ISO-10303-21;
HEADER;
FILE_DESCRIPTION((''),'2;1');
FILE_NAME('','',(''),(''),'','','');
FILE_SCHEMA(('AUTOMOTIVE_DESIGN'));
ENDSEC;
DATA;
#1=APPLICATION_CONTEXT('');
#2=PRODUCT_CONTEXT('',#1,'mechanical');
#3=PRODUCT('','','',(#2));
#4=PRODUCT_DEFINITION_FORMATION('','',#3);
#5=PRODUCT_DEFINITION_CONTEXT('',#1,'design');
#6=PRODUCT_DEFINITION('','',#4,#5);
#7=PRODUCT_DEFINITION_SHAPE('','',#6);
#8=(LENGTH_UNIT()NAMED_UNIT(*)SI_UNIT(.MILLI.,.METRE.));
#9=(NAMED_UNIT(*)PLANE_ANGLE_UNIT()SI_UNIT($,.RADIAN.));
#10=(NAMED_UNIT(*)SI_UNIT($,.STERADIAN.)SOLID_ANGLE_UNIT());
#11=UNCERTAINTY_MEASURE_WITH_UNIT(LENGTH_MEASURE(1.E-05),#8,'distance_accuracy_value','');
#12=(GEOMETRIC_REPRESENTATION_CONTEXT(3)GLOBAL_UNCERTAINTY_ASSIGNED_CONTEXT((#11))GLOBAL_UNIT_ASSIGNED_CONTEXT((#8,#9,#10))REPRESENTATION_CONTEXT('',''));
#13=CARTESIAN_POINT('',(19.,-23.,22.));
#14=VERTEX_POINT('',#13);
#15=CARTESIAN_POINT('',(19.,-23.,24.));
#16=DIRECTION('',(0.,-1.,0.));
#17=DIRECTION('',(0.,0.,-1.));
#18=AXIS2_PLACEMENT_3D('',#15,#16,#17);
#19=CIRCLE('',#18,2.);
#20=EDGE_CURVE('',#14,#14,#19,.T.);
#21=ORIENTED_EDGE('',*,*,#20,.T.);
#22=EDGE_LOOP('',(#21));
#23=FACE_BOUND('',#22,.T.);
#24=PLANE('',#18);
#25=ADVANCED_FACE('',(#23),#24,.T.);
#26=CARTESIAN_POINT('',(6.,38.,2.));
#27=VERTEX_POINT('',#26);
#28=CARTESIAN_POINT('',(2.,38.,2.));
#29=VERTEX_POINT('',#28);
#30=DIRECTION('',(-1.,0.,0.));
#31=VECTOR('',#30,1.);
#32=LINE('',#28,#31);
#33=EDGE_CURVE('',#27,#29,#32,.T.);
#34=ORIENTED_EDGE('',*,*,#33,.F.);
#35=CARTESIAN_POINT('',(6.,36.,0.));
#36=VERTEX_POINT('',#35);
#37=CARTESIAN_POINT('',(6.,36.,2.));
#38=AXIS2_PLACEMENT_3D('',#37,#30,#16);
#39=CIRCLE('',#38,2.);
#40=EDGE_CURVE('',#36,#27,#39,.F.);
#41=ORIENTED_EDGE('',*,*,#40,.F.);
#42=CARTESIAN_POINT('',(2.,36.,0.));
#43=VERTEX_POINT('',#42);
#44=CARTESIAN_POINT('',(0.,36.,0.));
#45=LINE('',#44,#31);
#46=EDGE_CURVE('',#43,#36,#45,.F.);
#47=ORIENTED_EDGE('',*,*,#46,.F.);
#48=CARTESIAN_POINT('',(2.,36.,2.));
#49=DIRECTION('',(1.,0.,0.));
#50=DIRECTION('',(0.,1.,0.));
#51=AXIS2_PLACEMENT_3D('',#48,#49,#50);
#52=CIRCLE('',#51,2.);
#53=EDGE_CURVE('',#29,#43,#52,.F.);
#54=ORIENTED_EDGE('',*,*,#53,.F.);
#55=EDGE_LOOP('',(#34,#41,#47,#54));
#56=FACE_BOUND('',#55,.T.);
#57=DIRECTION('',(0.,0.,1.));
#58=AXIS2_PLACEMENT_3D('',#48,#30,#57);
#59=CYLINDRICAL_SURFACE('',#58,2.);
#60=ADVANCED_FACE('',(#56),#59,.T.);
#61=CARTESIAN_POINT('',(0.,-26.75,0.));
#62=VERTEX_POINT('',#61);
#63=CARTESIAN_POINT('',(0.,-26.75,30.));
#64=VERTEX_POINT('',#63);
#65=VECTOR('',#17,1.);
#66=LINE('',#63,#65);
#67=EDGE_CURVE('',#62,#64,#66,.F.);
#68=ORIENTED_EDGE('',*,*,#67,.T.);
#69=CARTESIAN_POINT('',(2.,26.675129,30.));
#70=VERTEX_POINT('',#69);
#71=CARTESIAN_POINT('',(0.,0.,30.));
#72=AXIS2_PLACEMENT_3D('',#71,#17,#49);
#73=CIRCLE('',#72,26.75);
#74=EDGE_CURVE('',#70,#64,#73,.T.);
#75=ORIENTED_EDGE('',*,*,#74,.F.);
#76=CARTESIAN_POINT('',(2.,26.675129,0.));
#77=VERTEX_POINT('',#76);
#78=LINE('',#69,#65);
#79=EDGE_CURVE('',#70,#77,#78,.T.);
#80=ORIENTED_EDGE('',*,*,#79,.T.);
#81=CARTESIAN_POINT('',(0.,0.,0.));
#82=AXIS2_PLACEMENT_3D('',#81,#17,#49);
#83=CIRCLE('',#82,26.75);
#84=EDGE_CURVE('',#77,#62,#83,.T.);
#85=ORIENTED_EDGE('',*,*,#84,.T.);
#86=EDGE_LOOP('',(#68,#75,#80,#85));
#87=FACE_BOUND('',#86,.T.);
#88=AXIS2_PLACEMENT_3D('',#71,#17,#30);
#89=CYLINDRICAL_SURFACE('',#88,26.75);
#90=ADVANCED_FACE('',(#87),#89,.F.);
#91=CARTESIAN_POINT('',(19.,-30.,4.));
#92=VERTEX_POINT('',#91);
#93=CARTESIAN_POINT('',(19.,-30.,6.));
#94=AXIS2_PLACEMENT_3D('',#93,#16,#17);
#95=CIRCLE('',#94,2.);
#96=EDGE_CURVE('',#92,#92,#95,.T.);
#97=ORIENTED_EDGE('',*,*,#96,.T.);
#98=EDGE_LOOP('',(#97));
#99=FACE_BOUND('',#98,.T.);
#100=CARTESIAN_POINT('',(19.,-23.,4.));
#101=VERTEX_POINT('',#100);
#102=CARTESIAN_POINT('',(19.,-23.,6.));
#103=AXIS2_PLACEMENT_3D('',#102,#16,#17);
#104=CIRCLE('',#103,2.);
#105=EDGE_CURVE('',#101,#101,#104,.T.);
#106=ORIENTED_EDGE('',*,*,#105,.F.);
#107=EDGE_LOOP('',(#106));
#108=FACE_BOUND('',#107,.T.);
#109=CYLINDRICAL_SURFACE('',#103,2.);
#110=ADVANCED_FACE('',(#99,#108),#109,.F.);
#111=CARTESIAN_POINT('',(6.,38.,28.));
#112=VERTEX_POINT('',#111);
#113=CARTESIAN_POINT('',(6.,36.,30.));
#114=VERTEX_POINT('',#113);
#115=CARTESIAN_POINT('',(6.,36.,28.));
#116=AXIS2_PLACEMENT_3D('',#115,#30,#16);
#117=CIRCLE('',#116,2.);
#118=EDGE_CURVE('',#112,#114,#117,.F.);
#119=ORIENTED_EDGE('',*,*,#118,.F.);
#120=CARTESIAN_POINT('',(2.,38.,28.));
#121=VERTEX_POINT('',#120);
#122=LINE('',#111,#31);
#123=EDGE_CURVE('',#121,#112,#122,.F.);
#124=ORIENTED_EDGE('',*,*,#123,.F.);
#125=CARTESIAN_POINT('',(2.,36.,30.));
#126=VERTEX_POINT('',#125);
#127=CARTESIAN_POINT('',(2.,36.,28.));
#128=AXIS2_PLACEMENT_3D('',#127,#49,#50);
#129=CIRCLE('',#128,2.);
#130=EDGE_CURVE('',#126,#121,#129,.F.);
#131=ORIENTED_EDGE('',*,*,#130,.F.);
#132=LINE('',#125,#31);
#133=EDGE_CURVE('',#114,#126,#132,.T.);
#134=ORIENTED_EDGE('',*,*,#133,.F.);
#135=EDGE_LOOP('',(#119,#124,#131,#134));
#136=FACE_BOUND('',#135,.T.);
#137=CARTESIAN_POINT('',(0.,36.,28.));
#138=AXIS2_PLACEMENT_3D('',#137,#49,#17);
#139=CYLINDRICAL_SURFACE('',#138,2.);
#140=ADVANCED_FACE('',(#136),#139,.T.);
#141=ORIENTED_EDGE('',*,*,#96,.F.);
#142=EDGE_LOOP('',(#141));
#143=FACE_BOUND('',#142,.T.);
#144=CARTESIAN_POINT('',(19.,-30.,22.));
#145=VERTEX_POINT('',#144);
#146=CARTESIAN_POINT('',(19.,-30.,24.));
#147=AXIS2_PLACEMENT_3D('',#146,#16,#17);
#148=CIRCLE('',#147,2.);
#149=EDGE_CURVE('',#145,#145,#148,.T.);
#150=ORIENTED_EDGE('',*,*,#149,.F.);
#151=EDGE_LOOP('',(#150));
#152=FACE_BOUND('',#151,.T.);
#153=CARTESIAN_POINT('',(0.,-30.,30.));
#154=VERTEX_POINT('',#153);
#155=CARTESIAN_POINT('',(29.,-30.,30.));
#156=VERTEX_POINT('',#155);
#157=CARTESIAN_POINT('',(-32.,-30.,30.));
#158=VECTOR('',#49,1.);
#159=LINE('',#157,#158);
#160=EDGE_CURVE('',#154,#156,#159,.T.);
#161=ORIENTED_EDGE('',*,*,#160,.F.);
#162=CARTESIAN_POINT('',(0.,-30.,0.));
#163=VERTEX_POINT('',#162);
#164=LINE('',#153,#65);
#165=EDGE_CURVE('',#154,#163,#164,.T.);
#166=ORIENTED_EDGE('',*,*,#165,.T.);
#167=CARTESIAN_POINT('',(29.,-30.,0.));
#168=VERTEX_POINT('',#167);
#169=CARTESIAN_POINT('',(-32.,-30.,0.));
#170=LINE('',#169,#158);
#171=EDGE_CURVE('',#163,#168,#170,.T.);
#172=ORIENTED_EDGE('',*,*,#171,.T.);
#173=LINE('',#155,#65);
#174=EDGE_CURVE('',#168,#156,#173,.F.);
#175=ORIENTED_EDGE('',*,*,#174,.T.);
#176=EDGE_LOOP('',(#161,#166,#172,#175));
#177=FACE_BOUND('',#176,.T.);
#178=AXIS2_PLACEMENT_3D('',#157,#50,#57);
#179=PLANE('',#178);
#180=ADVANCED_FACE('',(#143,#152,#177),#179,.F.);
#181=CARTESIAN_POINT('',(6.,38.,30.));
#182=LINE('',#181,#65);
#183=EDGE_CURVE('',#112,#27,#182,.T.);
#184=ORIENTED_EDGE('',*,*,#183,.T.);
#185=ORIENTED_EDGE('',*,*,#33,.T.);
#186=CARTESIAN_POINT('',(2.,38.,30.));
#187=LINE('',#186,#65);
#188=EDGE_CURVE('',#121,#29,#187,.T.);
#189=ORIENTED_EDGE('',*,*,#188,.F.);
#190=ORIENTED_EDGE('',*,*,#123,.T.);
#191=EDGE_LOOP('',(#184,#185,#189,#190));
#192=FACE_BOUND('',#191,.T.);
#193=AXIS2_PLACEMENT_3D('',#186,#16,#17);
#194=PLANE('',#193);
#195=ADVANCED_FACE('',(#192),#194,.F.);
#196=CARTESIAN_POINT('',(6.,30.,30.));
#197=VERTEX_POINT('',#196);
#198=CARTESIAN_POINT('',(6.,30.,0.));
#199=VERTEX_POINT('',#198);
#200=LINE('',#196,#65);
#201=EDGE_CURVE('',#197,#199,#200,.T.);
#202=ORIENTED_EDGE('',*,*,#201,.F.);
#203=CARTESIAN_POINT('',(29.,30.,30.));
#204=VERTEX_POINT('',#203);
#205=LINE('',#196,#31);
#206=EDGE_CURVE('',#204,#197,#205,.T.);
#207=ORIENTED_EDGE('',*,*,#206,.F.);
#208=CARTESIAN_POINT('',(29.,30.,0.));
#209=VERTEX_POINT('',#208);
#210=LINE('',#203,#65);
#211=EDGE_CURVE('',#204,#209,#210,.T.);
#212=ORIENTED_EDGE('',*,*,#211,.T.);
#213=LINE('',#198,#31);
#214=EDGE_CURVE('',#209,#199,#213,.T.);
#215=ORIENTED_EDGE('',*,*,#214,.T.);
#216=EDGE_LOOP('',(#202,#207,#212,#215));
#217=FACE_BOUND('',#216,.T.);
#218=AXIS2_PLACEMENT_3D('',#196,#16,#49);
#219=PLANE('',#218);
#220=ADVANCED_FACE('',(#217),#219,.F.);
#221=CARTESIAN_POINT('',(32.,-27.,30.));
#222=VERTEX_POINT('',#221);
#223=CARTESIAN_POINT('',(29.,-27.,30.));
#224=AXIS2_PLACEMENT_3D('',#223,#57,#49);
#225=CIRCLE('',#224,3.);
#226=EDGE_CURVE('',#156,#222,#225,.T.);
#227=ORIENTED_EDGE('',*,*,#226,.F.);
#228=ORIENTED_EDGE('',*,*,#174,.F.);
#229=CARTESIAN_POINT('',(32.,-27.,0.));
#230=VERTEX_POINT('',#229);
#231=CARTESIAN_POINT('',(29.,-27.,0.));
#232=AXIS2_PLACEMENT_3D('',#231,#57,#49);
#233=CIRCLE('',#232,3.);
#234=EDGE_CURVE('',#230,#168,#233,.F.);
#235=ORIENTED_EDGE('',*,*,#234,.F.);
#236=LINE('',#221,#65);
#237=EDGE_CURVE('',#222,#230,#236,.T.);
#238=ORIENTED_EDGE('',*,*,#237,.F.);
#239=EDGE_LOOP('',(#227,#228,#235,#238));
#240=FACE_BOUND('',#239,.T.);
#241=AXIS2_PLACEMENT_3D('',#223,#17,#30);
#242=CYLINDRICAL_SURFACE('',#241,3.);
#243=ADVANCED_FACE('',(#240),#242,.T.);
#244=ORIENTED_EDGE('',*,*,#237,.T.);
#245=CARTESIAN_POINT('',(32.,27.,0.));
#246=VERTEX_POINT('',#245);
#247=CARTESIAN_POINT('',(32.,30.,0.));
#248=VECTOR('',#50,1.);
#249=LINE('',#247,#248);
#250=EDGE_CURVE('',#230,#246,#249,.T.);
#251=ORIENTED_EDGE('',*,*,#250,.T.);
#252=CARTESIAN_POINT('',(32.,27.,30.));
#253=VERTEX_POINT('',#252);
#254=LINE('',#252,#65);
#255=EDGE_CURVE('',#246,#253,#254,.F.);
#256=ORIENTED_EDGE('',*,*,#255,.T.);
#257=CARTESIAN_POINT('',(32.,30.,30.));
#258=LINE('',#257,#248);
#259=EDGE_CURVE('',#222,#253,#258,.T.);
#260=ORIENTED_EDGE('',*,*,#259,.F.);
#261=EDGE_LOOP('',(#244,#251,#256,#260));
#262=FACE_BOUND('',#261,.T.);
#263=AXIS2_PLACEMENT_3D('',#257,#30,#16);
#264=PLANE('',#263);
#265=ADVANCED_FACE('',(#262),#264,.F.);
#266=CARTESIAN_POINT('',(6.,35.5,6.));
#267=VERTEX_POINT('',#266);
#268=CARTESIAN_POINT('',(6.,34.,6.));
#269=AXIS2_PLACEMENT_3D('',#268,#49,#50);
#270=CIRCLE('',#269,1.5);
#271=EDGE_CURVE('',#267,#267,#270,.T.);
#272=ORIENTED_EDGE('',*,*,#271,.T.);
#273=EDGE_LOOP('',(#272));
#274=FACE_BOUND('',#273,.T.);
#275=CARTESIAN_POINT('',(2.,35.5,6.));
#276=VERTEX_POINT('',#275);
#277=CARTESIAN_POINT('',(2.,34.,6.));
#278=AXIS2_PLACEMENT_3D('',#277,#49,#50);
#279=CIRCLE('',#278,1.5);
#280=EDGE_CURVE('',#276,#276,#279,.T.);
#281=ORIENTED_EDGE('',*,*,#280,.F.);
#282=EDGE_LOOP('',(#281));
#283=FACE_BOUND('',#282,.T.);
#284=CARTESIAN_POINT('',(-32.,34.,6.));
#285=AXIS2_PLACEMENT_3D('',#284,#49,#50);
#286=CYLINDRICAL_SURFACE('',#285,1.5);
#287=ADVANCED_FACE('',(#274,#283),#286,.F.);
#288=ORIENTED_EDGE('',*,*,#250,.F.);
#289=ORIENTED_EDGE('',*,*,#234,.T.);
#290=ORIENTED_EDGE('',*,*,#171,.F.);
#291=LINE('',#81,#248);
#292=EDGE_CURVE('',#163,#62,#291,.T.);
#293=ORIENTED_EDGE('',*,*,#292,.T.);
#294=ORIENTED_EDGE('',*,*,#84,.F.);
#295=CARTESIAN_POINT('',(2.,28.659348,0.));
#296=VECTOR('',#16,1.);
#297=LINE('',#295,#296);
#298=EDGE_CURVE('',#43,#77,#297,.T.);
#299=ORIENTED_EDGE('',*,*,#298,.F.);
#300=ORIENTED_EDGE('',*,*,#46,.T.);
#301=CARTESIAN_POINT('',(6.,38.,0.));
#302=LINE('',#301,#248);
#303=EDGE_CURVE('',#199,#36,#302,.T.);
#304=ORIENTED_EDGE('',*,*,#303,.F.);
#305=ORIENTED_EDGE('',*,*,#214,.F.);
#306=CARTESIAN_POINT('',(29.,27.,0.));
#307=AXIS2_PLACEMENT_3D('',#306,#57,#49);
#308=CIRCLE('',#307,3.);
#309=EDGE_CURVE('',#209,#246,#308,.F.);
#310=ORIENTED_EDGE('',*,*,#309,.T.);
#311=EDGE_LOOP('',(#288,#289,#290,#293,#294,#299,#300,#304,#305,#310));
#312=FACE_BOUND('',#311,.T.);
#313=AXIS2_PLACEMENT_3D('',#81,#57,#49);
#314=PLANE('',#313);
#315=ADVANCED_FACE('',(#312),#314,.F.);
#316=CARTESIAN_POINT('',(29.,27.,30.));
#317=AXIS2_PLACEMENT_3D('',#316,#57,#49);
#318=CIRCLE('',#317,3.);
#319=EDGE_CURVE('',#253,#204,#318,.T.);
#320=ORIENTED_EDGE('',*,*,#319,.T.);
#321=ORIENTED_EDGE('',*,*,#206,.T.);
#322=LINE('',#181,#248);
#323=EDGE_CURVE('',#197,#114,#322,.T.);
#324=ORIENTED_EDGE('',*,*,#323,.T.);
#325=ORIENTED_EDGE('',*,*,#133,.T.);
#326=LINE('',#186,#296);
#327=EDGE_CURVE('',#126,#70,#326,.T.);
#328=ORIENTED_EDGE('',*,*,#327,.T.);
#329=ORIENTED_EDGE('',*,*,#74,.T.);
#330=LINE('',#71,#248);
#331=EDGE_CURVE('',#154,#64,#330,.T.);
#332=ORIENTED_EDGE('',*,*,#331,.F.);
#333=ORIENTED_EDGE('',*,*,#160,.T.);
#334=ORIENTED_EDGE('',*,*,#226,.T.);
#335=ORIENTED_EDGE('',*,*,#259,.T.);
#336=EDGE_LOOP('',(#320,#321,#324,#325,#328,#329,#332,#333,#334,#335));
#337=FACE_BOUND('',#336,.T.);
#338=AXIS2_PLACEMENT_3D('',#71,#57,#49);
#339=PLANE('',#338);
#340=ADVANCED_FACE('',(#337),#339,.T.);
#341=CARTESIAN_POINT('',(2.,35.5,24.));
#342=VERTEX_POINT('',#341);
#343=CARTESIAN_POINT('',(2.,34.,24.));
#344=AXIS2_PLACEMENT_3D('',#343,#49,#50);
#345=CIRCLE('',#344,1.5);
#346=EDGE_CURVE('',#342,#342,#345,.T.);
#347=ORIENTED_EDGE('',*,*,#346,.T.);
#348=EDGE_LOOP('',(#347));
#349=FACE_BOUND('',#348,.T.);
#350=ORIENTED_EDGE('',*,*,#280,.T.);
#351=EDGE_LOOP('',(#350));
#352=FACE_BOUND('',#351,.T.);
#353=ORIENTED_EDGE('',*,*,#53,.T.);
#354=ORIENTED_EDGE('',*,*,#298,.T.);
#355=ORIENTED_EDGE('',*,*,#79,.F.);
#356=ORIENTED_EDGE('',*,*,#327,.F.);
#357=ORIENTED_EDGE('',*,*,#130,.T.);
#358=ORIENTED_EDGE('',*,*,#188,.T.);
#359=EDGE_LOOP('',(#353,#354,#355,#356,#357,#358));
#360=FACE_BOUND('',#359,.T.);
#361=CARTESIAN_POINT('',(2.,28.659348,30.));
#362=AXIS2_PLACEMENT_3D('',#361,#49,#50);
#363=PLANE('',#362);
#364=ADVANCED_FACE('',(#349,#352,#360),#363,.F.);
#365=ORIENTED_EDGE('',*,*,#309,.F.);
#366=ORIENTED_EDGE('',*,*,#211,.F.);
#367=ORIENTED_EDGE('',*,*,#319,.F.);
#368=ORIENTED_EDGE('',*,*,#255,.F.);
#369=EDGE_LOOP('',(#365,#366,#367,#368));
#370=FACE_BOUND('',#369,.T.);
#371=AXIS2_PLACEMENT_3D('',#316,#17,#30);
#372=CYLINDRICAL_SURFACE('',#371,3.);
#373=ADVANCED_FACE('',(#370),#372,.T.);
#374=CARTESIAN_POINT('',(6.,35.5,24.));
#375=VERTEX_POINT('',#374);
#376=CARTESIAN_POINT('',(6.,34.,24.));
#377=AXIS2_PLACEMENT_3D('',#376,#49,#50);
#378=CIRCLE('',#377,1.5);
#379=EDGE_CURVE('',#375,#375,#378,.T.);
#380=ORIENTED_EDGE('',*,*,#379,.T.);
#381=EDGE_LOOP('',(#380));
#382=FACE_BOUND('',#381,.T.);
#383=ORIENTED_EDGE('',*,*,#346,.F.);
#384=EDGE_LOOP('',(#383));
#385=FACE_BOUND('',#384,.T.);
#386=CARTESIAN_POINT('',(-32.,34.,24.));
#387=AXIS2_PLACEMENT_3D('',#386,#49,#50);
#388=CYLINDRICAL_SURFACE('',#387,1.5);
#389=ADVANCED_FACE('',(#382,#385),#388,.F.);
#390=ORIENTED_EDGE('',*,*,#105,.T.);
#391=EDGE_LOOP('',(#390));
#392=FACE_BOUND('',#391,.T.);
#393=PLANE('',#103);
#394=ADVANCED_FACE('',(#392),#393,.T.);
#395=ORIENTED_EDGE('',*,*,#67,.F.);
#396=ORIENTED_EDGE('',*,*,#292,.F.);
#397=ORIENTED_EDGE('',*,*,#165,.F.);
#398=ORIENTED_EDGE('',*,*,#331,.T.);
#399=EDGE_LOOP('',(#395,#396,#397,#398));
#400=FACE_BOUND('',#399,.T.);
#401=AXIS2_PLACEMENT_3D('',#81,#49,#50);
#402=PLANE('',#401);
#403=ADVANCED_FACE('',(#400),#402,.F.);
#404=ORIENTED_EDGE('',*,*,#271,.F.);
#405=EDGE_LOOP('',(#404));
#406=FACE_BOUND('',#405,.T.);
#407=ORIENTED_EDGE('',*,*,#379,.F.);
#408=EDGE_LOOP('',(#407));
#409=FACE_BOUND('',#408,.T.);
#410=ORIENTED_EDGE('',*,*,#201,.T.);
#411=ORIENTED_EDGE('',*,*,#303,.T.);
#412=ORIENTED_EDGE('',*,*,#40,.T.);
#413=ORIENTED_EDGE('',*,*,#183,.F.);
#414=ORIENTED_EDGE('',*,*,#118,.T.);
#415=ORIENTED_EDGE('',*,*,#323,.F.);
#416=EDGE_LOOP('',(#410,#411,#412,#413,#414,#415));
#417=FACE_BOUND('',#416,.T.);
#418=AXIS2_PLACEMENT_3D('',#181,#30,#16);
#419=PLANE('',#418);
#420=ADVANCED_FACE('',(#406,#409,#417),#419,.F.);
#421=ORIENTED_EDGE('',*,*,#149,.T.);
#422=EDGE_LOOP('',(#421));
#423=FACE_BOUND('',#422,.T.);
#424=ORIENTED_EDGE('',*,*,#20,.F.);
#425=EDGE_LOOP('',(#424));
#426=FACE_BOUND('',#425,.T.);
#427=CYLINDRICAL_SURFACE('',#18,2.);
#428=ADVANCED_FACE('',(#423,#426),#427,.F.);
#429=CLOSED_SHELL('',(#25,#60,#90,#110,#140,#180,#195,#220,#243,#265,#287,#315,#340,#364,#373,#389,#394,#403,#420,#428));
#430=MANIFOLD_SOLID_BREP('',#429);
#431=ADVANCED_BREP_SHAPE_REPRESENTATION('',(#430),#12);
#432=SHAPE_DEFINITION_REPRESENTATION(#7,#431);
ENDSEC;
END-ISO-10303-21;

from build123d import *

# Parameters (mm, degrees)
EXTRUDE_1_DEPTH     = 30
FILLET_1_R          = 3
SKETCH_3_R          = 2
CUT_EXTRUDE_1_DEPTH = 7
SKETCH_4_R          = 1.5
CUT_EXTRUDE_2_DEPTH = 62.546730214
SKETCH_5_W          = 141.789042775
SKETCH_5_H          = 177.448562515
CUT_EXTRUDE_3_DEPTH = 59.034472514
FILLET_2_R          = 2


with BuildPart() as part:
    # 草图1 → 凸台-拉伸1 (new body)
    with BuildSketch(Plane.XY):
        with BuildLine():
            Line((-32, 30), (-6, 30))
            Line((-6, 30), (-6, 38))
            Line((-6, 38), (-2, 38))
            Line((-2, 38), (-2, 28.659348025))
            Line((-2, 28.659348025), (-2, 26.675128866))
            ThreePointArc((-2, 26.675128866), (0, -26.75), (2, 26.675128866))
            Line((2, 26.675128866), (2, 28.659348025))
            Line((2, 28.659348025), (2, 38))
            Line((2, 38), (6, 38))
            Line((6, 38), (6, 30))
            Line((6, 30), (32, 30))
            Line((32, 30), (32, -30))
            Line((32, -30), (-32, -30))
            Line((-32, -30), (-32, 30))
        make_face()
    extrude(amount=EXTRUDE_1_DEPTH)

    # 圆角1
    fillet_1_edges = [part.edges().sort_by_distance(p)[0] for p in [
        (32, -30, 15),
        (-32, -30, 15),
        (-32, 30, 15),
        (32, 30, 15),
    ]]
    fillet(fillet_1_edges, radius=FILLET_1_R)

    # 草图3 → 切除-拉伸1 (cut)
    with BuildSketch(Plane.XZ.offset(30)):
        with Locations(Location((19, 24, 0), (0, 0, 270))):
            Circle(SKETCH_3_R)
        with Locations(Location((19, 6, 0), (0, 0, 270))):
            Circle(SKETCH_3_R)
    extrude(amount=-CUT_EXTRUDE_1_DEPTH, mode=Mode.SUBTRACT)

    # 草图4 → 切除-拉伸2 (cut, through all)
    with BuildSketch(Plane(origin=(6, 0, 0), x_dir=(0, 0, -1), z_dir=(1, 0, 0))):
        with Locations((-24, 34)):
            Circle(SKETCH_4_R)
        with Locations((-6, 34)):
            Circle(SKETCH_4_R)
    extrude(amount=-CUT_EXTRUDE_2_DEPTH, mode=Mode.SUBTRACT)

    # 草图5 → 切除-拉伸3 (cut, through all)
    with BuildSketch(Plane(origin=(0, 0, 0), x_dir=(0, 0, -1), z_dir=(1, 0, 0))):
        with Locations((-47.884475127, 49.870130309)):
            Rectangle(SKETCH_5_W, SKETCH_5_H)
    extrude(amount=-CUT_EXTRUDE_3_DEPTH, mode=Mode.SUBTRACT)

    # 圆角2
    fillet_2_edges = [part.edges().sort_by_distance(p)[0] for p in [
        (4, 38, 30),
        (4, 38, 0),
    ]]
    fillet(fillet_2_edges, radius=FILLET_2_R)


solid = part.part
